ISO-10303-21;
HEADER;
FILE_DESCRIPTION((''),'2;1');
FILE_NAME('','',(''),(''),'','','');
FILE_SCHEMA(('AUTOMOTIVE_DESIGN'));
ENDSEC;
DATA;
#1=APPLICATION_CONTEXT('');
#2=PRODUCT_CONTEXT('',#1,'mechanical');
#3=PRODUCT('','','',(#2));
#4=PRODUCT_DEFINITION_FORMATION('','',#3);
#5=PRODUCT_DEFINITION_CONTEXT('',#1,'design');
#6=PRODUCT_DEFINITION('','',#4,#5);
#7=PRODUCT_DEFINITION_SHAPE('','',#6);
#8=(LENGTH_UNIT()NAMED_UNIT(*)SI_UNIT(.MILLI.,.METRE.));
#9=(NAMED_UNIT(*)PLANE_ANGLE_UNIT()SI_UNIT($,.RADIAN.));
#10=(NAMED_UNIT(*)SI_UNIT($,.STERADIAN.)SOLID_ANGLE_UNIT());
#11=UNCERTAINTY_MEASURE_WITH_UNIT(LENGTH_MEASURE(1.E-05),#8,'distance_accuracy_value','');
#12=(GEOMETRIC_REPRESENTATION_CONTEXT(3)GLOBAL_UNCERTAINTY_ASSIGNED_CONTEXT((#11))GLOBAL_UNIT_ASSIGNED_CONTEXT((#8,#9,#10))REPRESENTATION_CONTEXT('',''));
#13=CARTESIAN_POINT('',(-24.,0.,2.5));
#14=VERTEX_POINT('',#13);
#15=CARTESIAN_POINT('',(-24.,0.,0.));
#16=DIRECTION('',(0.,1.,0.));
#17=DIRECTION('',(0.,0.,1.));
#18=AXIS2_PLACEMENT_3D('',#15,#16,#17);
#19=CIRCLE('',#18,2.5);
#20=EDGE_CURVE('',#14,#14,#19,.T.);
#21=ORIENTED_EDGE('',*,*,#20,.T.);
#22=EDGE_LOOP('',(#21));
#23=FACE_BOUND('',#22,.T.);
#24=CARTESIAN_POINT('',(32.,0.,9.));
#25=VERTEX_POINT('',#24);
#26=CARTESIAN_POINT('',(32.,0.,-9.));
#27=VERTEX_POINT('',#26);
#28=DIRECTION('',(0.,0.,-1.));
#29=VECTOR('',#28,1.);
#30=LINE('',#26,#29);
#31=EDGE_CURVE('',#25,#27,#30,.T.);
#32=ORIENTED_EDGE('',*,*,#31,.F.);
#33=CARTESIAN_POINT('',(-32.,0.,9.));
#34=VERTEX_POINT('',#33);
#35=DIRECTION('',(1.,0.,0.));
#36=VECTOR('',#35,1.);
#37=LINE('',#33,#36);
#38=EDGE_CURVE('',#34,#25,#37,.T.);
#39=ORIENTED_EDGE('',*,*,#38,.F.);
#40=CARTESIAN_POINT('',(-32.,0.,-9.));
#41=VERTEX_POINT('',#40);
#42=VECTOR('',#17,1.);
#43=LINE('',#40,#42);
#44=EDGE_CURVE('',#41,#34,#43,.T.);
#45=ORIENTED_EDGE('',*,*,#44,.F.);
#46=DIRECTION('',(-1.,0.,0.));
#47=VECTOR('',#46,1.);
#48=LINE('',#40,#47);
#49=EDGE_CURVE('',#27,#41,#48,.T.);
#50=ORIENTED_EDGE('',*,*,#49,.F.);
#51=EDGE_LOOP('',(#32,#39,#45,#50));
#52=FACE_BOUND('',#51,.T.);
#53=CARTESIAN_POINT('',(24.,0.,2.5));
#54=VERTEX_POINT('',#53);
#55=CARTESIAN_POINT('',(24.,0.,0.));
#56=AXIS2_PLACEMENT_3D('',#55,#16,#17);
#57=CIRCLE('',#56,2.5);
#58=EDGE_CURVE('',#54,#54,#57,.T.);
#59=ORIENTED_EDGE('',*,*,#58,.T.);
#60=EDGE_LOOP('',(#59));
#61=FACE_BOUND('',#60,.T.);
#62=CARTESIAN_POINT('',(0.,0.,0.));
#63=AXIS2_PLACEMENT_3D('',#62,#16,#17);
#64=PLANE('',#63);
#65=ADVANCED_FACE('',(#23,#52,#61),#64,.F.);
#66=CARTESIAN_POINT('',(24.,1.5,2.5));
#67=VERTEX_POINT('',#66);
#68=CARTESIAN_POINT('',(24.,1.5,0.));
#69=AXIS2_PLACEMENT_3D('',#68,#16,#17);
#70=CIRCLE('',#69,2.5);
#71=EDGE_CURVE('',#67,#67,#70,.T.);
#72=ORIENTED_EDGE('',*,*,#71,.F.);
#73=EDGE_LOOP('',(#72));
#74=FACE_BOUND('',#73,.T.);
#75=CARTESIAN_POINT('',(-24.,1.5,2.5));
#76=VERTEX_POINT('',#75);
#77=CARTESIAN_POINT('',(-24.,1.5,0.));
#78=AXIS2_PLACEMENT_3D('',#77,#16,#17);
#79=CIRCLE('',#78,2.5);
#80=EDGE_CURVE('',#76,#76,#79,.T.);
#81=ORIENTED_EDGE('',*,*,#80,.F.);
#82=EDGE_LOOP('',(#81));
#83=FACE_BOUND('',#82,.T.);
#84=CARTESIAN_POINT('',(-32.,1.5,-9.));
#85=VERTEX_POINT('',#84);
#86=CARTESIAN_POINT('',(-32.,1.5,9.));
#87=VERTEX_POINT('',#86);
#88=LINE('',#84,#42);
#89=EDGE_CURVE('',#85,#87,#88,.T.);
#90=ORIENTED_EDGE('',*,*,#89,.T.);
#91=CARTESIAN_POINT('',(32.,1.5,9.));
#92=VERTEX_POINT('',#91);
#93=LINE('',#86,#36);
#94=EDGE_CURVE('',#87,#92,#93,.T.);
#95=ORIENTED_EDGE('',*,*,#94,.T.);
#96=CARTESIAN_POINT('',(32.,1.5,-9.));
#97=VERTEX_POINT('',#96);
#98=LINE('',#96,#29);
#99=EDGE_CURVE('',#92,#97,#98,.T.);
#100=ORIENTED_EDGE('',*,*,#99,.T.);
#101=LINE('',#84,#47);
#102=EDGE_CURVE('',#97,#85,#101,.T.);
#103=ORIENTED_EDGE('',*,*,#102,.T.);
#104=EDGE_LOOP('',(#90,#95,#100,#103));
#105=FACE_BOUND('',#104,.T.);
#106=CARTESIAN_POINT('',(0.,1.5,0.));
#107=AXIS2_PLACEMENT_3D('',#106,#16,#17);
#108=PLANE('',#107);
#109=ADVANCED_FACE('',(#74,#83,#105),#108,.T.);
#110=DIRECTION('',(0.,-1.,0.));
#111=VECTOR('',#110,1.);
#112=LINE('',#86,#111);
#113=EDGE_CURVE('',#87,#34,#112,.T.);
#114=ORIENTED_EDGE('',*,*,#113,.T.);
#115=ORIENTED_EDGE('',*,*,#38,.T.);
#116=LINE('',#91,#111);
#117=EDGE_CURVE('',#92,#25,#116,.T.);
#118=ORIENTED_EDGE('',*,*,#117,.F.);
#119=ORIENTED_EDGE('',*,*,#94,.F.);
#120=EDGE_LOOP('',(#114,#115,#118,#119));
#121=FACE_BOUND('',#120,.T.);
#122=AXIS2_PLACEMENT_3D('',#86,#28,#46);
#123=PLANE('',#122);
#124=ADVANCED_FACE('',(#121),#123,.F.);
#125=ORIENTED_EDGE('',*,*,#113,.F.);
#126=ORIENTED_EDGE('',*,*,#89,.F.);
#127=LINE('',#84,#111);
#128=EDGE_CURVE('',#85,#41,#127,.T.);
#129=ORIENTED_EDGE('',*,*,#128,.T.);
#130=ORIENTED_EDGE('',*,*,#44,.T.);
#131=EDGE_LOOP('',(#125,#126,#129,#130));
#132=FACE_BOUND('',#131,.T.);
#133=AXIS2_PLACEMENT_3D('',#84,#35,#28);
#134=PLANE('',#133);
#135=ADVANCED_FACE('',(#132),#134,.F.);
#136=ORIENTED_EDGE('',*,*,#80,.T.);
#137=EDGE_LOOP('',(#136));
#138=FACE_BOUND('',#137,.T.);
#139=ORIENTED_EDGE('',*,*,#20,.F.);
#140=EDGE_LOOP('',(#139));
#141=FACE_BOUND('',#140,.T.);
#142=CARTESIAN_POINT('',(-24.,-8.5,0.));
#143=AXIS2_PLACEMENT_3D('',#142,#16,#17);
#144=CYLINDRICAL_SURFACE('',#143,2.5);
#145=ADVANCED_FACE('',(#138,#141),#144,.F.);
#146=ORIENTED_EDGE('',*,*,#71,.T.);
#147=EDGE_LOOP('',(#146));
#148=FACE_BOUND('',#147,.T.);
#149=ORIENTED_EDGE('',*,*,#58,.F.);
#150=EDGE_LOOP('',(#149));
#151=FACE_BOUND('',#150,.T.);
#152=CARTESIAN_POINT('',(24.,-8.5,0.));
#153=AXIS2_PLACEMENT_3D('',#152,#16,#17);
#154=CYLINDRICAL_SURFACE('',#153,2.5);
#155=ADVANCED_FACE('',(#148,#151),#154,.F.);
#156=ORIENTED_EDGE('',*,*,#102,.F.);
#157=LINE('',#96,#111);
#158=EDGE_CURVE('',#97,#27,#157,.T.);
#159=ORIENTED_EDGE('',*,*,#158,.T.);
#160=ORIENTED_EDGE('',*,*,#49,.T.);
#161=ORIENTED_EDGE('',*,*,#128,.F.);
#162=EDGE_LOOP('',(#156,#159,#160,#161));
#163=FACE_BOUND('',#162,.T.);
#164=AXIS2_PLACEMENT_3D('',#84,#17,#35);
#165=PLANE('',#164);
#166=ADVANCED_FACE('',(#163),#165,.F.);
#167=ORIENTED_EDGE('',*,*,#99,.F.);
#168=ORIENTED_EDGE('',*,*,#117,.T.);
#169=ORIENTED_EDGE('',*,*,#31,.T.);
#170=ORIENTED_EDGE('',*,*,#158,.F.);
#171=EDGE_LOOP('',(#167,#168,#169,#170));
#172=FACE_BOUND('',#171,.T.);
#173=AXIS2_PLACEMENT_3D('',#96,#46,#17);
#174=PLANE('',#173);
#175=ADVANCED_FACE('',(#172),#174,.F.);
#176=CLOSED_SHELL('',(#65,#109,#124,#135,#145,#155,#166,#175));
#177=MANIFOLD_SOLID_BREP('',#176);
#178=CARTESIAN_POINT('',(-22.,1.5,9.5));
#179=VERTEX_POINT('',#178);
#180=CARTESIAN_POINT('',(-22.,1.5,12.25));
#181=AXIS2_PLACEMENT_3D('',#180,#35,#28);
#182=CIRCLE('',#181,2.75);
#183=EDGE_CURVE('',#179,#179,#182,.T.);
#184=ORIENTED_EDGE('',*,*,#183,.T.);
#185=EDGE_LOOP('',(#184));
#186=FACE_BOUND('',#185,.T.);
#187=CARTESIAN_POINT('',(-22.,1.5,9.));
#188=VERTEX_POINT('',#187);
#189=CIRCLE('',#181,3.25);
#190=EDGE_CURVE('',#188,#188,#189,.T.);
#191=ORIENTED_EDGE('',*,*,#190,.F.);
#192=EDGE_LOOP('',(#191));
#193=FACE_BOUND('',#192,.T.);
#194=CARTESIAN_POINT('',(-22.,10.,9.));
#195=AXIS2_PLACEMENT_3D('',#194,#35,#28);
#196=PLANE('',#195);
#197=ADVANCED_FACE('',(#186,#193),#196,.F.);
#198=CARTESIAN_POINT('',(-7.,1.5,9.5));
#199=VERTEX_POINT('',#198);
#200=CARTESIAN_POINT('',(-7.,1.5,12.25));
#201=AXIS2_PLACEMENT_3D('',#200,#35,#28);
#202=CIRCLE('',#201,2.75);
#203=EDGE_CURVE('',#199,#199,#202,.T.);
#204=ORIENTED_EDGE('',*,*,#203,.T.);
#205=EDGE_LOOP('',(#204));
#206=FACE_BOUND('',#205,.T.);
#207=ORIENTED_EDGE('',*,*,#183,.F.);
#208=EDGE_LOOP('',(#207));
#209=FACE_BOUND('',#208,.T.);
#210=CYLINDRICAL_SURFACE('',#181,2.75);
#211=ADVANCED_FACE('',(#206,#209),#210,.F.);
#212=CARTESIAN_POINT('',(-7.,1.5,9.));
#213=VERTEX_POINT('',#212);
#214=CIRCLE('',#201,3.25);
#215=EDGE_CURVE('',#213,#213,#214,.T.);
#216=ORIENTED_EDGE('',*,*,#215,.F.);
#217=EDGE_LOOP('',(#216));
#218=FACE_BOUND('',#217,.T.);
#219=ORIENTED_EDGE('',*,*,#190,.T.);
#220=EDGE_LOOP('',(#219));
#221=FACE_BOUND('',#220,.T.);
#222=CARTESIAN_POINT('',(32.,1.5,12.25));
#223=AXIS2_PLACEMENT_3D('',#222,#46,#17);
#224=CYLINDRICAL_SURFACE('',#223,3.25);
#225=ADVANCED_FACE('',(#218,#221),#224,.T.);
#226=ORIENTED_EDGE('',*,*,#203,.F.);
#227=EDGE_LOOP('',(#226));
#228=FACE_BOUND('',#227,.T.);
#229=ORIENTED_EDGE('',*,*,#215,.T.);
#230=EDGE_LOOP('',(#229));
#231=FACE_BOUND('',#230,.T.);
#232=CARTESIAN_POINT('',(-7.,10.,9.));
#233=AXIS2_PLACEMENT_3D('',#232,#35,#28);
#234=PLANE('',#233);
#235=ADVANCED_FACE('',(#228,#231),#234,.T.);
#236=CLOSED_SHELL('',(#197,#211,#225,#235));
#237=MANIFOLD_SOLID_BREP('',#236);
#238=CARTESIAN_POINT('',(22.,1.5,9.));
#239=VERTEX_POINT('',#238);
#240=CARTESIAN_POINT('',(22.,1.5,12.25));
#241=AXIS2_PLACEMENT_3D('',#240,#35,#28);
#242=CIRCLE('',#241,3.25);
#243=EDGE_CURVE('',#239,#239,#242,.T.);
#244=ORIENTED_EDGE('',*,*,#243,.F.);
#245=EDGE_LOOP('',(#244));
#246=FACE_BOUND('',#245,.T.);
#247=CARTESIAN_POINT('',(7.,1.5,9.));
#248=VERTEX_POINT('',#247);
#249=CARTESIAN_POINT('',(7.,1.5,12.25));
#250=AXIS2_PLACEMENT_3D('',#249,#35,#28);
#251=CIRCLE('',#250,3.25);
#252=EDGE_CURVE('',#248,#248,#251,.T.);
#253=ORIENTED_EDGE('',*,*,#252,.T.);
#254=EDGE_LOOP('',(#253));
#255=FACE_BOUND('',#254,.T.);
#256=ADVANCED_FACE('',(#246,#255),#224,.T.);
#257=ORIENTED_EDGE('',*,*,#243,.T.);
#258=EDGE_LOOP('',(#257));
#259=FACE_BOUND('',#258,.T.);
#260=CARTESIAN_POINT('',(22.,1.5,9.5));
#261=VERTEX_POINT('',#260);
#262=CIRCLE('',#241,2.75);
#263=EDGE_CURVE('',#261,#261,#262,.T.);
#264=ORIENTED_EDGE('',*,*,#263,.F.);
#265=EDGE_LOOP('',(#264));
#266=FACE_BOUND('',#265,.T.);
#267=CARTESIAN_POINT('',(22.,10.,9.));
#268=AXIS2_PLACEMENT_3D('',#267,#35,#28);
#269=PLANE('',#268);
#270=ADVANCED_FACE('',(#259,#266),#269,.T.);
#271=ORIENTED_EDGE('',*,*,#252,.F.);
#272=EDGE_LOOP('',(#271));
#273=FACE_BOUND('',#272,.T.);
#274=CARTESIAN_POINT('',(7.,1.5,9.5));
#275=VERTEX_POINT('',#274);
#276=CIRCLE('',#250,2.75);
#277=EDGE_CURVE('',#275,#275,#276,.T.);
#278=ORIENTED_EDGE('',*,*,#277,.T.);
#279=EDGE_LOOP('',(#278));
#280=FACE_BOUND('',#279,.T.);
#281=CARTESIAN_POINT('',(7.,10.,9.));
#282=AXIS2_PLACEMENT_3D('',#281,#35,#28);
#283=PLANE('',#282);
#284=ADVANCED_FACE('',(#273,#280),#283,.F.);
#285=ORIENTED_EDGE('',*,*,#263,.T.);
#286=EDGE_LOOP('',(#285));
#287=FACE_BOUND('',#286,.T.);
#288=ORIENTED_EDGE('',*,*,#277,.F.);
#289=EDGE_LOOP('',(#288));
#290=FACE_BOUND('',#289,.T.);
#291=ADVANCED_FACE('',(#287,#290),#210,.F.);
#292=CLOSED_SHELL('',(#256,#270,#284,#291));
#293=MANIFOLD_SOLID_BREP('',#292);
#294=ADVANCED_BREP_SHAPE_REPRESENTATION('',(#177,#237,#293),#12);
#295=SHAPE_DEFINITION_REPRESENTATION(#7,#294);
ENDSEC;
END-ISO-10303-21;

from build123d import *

# Parameters (mm, degrees)
SKETCH1_W               = 64
SKETCH1_H               = 18
BOSS_EXTRUDE1_DEPTH     = 1.5
SKETCH2_R               = 3.25
BOSS_EXTRUDE2_DEPTH     = 32
SKETCH3_R               = 2.5
CUT_EXTRUDE1_DEPTH      = 10
SKETCH4_W               = 10
SKETCH4_H               = 6.5
SKETCH4_W_2             = 14
CUT_EXTRUDE2_DEPTH      = 10
CUT_EXTRUDE2_DEPTH_BACK = 10
SKETCH5_R               = 2.75
CUT_EXTRUDE3_DEPTH      = 44


with BuildPart() as part:
    # Sketch1 → Boss-Extrude1 (new body)
    with BuildSketch(Plane(origin=(0, 0, 0), x_dir=(1, 0, 0), z_dir=(0, 1, 0))):
        Rectangle(SKETCH1_W, SKETCH1_H)
    extrude(amount=BOSS_EXTRUDE1_DEPTH)

    # Sketch3 → Cut-Extrude1 (cut)
    with BuildSketch(Plane(origin=(0, 1.5, 0), x_dir=(1, 0, 0), z_dir=(0, 1, 0))):
        with Locations((-24, 0)):
            Circle(SKETCH3_R)
        with Locations((24, 0)):
            Circle(SKETCH3_R)
    extrude(amount=-CUT_EXTRUDE1_DEPTH, mode=Mode.SUBTRACT)


with BuildPart() as body_2:
    # Sketch2 → Boss-Extrude2 (new body, symmetric)
    with BuildSketch(Plane(origin=(0, 0, 0), x_dir=(0, 0, -1), z_dir=(1, 0, 0))):
        with Locations((-12.25, 1.5)):
            Circle(SKETCH2_R)
    extrude(amount=BOSS_EXTRUDE2_DEPTH, both=True)

    # Sketch4 → Cut-Extrude2 (cut, two sides)
    with BuildSketch(Plane(origin=(0, 0, 0), x_dir=(1, 0, 0), z_dir=(0, 1, 0))) as cut_extrude2_sk:
        with Locations((-27, -12.25)):
            Rectangle(SKETCH4_W, SKETCH4_H)
        with Locations((27, -12.25)):
            Rectangle(SKETCH4_W, SKETCH4_H)
        with Locations((0, -12.25)):
            Rectangle(SKETCH4_W_2, SKETCH4_H)
    extrude(amount=CUT_EXTRUDE2_DEPTH, mode=Mode.SUBTRACT)
    extrude(cut_extrude2_sk.sketch, amount=-CUT_EXTRUDE2_DEPTH_BACK, mode=Mode.SUBTRACT)

    # Sketch5 → Cut-Extrude3 (cut)
    with BuildSketch(Plane(origin=(22, 0, 0), x_dir=(0, 0, -1), z_dir=(1, 0, 0))):
        with Locations((-12.25, 1.5)):
            Circle(SKETCH5_R)
    extrude(amount=-CUT_EXTRUDE3_DEPTH, mode=Mode.SUBTRACT)


solid = Compound([part.part, body_2.part])
